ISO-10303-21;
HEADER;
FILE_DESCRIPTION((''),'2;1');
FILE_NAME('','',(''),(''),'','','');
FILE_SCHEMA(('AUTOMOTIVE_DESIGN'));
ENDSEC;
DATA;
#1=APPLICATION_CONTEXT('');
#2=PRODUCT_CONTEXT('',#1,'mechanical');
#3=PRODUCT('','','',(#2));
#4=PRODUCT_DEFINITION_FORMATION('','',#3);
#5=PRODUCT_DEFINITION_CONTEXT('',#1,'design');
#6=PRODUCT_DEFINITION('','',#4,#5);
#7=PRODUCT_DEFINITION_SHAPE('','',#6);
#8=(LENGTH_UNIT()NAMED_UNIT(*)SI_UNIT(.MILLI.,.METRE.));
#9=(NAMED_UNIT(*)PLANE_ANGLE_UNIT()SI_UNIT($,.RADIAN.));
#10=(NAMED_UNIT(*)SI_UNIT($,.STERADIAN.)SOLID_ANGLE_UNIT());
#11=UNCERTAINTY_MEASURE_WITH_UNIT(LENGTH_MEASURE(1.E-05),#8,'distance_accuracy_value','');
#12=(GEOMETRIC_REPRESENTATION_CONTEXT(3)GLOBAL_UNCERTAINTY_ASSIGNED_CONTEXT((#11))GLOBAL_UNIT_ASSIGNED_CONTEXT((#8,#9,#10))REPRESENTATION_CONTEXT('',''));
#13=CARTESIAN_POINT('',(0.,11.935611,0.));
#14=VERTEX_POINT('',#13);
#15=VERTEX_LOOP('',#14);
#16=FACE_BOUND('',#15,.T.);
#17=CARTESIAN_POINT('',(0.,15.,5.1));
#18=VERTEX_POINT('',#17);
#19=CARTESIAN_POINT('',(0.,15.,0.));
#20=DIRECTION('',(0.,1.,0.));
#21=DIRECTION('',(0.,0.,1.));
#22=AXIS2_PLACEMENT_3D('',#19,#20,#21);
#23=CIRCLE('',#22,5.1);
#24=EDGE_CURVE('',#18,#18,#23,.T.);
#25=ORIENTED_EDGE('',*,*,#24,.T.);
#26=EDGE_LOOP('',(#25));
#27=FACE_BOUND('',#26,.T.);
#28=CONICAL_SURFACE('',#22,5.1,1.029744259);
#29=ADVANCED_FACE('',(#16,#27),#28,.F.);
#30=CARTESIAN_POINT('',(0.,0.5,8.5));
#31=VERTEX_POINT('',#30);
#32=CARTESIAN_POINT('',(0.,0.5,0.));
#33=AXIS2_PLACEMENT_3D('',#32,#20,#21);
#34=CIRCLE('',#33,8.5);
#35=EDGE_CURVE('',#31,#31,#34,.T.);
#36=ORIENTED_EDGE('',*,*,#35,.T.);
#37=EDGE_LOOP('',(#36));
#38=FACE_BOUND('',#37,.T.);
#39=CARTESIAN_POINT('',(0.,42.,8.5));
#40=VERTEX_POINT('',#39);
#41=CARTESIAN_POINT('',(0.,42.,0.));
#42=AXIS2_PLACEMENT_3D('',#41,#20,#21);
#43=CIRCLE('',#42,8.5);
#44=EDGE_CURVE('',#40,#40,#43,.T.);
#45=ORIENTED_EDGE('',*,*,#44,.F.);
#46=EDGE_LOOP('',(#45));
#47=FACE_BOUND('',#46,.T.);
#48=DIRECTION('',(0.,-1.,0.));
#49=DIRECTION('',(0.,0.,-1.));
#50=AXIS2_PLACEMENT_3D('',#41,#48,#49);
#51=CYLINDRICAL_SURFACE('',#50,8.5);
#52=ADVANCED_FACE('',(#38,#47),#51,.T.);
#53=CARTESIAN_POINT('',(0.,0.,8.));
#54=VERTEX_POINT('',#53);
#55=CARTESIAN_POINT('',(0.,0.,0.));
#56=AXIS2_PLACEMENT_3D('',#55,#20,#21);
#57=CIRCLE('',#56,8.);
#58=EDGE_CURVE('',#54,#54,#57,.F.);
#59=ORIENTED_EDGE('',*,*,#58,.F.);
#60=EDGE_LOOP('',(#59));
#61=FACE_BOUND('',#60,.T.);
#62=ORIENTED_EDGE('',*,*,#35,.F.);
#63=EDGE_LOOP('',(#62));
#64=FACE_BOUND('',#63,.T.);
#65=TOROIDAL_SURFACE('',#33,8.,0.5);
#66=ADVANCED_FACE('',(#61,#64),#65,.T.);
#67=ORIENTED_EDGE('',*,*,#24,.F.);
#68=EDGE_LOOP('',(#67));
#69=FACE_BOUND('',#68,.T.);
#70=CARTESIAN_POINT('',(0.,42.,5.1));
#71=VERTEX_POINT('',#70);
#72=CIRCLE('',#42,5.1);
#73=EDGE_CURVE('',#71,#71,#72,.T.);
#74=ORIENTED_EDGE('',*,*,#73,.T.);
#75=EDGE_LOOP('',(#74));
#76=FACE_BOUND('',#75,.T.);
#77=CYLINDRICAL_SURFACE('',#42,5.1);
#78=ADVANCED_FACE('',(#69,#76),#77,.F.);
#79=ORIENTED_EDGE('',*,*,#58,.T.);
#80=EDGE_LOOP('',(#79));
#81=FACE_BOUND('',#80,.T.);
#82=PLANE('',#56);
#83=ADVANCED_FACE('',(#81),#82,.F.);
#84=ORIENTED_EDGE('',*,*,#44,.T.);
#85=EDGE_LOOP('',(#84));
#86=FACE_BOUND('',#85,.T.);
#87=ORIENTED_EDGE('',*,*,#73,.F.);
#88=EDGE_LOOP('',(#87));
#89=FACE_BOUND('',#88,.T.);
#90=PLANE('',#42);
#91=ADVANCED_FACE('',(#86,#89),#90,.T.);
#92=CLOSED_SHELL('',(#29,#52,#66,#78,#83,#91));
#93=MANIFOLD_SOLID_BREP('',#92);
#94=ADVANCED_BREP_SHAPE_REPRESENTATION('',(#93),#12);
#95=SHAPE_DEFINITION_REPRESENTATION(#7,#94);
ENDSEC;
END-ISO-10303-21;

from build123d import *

# Parameters (mm, degrees)
SKETCH1_R           = 8.5
BOSS_EXTRUDE1_DEPTH = 42
FILLET1_R           = 0.5


with BuildPart() as part:
    # Sketch1 → Boss-Extrude1 (new body)
    with BuildSketch(Plane(origin=(0, 0, 0), x_dir=(1, 0, 0), z_dir=(0, 1, 0))):
        Circle(SKETCH1_R)
    extrude(amount=BOSS_EXTRUDE1_DEPTH)

    # Sketch2 → M12 Tapped Hole1 (revolve, cut)
    with BuildSketch(Plane(origin=(0, 42, 0), x_dir=(0, 0, 1), z_dir=(1, 0, 0))):
        Polygon((0, 0), (0, 30.064389157), (5.1, 27), (5.1, 0), align=None)
    revolve(axis=Axis((0, 48.35, 0), (0, -1, 0)), mode=Mode.SUBTRACT)

    # Fillet1
    fillet1_edges = [part.edges().sort_by_distance(p)[0] for p in [
        (-8.5, 0, 0),
    ]]
    fillet(fillet1_edges, radius=FILLET1_R)


solid = part.part
